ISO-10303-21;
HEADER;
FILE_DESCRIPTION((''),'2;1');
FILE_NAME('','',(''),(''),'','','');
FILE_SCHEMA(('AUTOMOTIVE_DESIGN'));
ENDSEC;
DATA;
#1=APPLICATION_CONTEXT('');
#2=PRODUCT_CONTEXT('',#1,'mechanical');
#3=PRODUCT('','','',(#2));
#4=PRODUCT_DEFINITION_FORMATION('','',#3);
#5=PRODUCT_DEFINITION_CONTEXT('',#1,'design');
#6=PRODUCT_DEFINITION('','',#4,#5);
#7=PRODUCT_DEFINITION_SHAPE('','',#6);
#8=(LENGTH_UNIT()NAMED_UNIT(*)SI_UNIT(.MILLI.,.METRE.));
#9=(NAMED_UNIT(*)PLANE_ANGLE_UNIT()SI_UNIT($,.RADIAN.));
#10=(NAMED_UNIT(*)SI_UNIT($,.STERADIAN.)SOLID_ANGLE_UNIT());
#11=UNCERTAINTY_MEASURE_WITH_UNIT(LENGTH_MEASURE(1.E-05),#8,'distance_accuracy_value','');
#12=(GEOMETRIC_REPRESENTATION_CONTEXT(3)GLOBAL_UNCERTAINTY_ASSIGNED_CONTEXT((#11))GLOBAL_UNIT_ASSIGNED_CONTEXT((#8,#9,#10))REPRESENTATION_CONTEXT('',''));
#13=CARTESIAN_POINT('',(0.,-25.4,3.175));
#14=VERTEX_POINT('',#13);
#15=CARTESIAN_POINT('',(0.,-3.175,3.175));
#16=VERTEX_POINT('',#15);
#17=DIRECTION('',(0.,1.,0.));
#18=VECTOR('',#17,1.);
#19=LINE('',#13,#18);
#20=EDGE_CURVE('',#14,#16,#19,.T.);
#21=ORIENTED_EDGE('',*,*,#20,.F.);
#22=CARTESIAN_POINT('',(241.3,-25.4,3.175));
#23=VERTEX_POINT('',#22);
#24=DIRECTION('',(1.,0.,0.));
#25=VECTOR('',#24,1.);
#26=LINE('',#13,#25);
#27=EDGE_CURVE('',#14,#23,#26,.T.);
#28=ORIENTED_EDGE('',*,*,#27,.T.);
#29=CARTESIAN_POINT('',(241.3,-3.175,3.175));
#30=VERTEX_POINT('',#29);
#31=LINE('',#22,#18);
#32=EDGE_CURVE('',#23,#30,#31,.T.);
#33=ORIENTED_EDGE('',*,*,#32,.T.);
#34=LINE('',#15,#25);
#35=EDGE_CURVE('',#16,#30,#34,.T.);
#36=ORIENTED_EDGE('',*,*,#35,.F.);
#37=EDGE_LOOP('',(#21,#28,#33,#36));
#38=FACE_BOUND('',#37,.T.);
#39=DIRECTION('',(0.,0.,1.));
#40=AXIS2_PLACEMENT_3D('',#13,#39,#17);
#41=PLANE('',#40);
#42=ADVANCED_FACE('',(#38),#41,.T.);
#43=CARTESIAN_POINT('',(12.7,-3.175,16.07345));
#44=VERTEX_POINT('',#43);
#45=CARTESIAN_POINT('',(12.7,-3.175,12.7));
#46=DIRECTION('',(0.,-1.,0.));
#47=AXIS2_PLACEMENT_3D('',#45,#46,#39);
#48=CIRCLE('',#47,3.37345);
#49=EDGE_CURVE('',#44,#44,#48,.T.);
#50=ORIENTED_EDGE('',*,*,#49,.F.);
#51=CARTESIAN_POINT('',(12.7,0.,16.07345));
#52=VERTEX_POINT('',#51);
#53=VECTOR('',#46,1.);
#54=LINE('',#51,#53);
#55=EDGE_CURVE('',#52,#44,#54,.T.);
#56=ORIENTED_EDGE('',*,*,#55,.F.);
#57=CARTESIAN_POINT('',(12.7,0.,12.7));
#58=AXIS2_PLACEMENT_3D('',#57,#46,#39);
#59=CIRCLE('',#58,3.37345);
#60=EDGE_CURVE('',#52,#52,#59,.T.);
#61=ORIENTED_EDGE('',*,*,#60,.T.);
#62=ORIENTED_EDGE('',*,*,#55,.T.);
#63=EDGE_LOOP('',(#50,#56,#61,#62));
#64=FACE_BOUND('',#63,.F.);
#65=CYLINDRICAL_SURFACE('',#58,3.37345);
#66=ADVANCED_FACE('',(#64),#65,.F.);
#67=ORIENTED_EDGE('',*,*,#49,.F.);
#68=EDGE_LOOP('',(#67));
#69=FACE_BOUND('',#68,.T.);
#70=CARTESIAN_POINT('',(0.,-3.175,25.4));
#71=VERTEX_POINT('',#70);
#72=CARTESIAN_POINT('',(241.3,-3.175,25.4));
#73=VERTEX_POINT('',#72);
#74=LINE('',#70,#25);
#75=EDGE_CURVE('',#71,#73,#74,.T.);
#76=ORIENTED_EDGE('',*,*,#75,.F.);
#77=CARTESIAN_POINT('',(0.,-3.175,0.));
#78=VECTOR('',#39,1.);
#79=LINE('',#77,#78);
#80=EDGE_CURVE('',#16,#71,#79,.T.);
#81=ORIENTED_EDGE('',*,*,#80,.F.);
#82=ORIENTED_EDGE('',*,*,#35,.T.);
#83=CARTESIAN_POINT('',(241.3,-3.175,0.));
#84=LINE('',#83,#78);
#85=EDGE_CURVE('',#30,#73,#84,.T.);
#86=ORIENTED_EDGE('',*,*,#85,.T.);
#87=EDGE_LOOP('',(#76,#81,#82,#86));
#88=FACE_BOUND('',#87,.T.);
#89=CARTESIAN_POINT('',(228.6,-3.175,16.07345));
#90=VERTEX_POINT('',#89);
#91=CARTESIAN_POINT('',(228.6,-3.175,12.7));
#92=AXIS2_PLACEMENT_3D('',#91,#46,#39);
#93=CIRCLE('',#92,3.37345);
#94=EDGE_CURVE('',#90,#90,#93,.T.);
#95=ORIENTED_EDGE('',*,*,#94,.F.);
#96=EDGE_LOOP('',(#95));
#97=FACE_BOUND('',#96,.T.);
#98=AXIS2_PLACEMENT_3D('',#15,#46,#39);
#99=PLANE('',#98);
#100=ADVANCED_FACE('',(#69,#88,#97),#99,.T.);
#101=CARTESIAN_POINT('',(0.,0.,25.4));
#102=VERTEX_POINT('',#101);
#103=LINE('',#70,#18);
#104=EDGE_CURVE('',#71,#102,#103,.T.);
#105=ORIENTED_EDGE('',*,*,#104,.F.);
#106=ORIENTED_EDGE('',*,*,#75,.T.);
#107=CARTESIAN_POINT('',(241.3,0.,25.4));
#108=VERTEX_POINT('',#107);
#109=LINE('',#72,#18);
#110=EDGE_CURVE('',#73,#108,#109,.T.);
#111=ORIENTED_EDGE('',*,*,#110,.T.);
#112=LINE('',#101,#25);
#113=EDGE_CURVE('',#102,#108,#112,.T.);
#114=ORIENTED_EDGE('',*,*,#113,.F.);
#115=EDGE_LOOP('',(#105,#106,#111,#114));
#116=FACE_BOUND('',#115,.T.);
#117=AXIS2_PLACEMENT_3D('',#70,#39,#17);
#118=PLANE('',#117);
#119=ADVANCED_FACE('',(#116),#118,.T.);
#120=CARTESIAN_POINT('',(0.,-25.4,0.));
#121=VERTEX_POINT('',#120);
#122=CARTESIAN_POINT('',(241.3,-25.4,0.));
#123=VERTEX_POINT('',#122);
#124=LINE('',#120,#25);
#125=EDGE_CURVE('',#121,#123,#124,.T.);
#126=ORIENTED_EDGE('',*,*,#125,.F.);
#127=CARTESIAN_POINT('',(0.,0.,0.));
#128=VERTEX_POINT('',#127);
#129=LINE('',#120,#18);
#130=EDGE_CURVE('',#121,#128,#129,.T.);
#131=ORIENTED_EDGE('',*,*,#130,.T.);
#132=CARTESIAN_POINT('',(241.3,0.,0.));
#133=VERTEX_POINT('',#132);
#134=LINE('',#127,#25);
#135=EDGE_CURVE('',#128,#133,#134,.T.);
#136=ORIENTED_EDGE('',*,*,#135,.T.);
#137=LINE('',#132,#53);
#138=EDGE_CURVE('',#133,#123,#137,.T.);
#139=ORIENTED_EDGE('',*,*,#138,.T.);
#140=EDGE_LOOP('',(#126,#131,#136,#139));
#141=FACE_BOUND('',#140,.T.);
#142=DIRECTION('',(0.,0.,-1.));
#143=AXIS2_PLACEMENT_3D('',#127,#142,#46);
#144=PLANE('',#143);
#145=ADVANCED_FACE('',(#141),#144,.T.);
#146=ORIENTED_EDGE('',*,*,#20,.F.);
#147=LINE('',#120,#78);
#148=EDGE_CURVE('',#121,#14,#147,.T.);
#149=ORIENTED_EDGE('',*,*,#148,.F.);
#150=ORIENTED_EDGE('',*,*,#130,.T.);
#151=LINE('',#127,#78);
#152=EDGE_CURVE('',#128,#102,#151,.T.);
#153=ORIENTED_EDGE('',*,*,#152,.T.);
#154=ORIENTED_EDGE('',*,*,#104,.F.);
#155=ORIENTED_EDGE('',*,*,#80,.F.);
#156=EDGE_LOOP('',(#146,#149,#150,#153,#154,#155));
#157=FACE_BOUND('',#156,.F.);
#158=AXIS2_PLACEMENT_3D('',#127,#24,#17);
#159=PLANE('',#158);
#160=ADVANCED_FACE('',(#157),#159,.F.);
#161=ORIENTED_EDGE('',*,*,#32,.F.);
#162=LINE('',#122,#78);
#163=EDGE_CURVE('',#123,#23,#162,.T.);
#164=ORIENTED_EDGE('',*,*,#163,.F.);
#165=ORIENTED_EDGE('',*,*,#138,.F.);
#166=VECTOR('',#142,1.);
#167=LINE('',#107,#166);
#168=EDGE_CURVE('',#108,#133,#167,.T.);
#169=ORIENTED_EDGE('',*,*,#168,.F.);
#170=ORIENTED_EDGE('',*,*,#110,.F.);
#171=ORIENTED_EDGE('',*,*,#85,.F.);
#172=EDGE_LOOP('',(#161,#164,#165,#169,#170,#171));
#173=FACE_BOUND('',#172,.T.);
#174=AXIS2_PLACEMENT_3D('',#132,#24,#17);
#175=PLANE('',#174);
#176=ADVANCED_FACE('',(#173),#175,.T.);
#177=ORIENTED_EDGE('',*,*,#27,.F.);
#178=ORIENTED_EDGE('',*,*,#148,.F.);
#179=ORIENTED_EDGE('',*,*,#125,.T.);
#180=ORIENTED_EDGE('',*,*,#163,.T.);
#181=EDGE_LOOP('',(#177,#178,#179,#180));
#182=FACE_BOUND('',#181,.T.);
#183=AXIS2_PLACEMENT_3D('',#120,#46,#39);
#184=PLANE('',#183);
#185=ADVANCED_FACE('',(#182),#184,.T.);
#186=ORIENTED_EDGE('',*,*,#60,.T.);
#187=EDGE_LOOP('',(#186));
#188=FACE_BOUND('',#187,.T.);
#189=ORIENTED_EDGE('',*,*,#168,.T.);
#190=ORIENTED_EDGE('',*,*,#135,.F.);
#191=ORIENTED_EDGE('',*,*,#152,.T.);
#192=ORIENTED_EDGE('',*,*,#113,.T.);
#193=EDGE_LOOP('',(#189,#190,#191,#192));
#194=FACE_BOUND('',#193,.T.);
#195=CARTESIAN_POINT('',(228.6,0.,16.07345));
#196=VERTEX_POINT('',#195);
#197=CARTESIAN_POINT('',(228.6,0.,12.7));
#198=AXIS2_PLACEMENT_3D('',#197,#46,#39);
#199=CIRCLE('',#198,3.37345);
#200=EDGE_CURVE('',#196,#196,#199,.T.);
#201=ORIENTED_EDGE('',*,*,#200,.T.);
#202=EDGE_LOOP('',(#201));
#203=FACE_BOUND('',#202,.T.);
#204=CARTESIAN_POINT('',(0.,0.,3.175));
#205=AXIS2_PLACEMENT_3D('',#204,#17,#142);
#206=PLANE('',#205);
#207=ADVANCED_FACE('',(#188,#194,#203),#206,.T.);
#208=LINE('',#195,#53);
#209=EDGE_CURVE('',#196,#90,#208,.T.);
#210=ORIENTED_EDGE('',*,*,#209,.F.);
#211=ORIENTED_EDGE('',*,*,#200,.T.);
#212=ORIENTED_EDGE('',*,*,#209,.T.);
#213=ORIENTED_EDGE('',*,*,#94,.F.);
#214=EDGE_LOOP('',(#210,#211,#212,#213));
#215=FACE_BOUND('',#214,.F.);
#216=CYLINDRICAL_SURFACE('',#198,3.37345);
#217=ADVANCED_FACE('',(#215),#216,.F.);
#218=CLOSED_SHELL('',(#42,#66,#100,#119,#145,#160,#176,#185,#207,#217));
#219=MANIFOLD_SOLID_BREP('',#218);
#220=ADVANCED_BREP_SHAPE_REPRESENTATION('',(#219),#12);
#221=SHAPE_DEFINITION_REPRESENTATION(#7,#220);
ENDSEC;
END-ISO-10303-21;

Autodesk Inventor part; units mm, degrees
ref_plane "YZ Plane" through (0, 0, 0) normal (1, 0, 0) x (0, 1, 0)
ref_plane "XZ Plane" through (0, 0, 0) normal (0, 1, 0) x (-1, 0, 0)
ref_plane "XY Plane" through (0, 0, 0) normal (0, 0, 1) x (1, 0, 0)
sketch "Sketch1" plane through (0, 0, 0) normal (1, 0, 0) x (0, 1, 0)
  line L0 (0, 0) -> (-3.175, 0)
  line L1 (-3.175, 0) -> (-3.175, 25.4)
  line L2 (-3.175, 25.4) -> (0, 25.4)
  line L3 (0, 25.4) -> (0, 0)
  line L4 (0, 0) -> (-25.4, 0)
  line L5 (-25.4, 0) -> (-25.4, 3.175)
  line L6 (-25.4, 3.175) -> (0, 3.175)
  line L7 (0, 3.175) -> (0, 0)
  dimension "d0" = 3.175
  dimension "d1" = 25.4
  dimension "d2" = 25.4
  dimension "d3" = 3.175
extrude "Extrusion1" add sketch "Sketch1" along normal blind 241.3
sketch "Sketch2" plane through (0, 0, 25.4) normal (0, 1, 0) x (1, 0, 0)
  line L0 (0, 25.4) -> (0, 0) projected
  line L1 (0, 0) -> (241.3, 0) projected
  line L2 (241.3, 25.4) -> (241.3, 0) projected
  line L3 (0, 25.4) -> (241.3, 25.4) projected
  point P0 (228.6, 12.7)
  point P1 (12.7, 12.7)
  dimension "d6" = 12.7
  dimension "d7" = 12.7
  dimension "d8" = 12.7
  dimension "d9" = 228.6
hole "Hole1" at (228.6, 0, 12.7) at (12.7, 0, 12.7) direction (0, -1, 0) diameter 6.7469 end through all
properties part number "front slider guard" material "Aluminum 6061"
